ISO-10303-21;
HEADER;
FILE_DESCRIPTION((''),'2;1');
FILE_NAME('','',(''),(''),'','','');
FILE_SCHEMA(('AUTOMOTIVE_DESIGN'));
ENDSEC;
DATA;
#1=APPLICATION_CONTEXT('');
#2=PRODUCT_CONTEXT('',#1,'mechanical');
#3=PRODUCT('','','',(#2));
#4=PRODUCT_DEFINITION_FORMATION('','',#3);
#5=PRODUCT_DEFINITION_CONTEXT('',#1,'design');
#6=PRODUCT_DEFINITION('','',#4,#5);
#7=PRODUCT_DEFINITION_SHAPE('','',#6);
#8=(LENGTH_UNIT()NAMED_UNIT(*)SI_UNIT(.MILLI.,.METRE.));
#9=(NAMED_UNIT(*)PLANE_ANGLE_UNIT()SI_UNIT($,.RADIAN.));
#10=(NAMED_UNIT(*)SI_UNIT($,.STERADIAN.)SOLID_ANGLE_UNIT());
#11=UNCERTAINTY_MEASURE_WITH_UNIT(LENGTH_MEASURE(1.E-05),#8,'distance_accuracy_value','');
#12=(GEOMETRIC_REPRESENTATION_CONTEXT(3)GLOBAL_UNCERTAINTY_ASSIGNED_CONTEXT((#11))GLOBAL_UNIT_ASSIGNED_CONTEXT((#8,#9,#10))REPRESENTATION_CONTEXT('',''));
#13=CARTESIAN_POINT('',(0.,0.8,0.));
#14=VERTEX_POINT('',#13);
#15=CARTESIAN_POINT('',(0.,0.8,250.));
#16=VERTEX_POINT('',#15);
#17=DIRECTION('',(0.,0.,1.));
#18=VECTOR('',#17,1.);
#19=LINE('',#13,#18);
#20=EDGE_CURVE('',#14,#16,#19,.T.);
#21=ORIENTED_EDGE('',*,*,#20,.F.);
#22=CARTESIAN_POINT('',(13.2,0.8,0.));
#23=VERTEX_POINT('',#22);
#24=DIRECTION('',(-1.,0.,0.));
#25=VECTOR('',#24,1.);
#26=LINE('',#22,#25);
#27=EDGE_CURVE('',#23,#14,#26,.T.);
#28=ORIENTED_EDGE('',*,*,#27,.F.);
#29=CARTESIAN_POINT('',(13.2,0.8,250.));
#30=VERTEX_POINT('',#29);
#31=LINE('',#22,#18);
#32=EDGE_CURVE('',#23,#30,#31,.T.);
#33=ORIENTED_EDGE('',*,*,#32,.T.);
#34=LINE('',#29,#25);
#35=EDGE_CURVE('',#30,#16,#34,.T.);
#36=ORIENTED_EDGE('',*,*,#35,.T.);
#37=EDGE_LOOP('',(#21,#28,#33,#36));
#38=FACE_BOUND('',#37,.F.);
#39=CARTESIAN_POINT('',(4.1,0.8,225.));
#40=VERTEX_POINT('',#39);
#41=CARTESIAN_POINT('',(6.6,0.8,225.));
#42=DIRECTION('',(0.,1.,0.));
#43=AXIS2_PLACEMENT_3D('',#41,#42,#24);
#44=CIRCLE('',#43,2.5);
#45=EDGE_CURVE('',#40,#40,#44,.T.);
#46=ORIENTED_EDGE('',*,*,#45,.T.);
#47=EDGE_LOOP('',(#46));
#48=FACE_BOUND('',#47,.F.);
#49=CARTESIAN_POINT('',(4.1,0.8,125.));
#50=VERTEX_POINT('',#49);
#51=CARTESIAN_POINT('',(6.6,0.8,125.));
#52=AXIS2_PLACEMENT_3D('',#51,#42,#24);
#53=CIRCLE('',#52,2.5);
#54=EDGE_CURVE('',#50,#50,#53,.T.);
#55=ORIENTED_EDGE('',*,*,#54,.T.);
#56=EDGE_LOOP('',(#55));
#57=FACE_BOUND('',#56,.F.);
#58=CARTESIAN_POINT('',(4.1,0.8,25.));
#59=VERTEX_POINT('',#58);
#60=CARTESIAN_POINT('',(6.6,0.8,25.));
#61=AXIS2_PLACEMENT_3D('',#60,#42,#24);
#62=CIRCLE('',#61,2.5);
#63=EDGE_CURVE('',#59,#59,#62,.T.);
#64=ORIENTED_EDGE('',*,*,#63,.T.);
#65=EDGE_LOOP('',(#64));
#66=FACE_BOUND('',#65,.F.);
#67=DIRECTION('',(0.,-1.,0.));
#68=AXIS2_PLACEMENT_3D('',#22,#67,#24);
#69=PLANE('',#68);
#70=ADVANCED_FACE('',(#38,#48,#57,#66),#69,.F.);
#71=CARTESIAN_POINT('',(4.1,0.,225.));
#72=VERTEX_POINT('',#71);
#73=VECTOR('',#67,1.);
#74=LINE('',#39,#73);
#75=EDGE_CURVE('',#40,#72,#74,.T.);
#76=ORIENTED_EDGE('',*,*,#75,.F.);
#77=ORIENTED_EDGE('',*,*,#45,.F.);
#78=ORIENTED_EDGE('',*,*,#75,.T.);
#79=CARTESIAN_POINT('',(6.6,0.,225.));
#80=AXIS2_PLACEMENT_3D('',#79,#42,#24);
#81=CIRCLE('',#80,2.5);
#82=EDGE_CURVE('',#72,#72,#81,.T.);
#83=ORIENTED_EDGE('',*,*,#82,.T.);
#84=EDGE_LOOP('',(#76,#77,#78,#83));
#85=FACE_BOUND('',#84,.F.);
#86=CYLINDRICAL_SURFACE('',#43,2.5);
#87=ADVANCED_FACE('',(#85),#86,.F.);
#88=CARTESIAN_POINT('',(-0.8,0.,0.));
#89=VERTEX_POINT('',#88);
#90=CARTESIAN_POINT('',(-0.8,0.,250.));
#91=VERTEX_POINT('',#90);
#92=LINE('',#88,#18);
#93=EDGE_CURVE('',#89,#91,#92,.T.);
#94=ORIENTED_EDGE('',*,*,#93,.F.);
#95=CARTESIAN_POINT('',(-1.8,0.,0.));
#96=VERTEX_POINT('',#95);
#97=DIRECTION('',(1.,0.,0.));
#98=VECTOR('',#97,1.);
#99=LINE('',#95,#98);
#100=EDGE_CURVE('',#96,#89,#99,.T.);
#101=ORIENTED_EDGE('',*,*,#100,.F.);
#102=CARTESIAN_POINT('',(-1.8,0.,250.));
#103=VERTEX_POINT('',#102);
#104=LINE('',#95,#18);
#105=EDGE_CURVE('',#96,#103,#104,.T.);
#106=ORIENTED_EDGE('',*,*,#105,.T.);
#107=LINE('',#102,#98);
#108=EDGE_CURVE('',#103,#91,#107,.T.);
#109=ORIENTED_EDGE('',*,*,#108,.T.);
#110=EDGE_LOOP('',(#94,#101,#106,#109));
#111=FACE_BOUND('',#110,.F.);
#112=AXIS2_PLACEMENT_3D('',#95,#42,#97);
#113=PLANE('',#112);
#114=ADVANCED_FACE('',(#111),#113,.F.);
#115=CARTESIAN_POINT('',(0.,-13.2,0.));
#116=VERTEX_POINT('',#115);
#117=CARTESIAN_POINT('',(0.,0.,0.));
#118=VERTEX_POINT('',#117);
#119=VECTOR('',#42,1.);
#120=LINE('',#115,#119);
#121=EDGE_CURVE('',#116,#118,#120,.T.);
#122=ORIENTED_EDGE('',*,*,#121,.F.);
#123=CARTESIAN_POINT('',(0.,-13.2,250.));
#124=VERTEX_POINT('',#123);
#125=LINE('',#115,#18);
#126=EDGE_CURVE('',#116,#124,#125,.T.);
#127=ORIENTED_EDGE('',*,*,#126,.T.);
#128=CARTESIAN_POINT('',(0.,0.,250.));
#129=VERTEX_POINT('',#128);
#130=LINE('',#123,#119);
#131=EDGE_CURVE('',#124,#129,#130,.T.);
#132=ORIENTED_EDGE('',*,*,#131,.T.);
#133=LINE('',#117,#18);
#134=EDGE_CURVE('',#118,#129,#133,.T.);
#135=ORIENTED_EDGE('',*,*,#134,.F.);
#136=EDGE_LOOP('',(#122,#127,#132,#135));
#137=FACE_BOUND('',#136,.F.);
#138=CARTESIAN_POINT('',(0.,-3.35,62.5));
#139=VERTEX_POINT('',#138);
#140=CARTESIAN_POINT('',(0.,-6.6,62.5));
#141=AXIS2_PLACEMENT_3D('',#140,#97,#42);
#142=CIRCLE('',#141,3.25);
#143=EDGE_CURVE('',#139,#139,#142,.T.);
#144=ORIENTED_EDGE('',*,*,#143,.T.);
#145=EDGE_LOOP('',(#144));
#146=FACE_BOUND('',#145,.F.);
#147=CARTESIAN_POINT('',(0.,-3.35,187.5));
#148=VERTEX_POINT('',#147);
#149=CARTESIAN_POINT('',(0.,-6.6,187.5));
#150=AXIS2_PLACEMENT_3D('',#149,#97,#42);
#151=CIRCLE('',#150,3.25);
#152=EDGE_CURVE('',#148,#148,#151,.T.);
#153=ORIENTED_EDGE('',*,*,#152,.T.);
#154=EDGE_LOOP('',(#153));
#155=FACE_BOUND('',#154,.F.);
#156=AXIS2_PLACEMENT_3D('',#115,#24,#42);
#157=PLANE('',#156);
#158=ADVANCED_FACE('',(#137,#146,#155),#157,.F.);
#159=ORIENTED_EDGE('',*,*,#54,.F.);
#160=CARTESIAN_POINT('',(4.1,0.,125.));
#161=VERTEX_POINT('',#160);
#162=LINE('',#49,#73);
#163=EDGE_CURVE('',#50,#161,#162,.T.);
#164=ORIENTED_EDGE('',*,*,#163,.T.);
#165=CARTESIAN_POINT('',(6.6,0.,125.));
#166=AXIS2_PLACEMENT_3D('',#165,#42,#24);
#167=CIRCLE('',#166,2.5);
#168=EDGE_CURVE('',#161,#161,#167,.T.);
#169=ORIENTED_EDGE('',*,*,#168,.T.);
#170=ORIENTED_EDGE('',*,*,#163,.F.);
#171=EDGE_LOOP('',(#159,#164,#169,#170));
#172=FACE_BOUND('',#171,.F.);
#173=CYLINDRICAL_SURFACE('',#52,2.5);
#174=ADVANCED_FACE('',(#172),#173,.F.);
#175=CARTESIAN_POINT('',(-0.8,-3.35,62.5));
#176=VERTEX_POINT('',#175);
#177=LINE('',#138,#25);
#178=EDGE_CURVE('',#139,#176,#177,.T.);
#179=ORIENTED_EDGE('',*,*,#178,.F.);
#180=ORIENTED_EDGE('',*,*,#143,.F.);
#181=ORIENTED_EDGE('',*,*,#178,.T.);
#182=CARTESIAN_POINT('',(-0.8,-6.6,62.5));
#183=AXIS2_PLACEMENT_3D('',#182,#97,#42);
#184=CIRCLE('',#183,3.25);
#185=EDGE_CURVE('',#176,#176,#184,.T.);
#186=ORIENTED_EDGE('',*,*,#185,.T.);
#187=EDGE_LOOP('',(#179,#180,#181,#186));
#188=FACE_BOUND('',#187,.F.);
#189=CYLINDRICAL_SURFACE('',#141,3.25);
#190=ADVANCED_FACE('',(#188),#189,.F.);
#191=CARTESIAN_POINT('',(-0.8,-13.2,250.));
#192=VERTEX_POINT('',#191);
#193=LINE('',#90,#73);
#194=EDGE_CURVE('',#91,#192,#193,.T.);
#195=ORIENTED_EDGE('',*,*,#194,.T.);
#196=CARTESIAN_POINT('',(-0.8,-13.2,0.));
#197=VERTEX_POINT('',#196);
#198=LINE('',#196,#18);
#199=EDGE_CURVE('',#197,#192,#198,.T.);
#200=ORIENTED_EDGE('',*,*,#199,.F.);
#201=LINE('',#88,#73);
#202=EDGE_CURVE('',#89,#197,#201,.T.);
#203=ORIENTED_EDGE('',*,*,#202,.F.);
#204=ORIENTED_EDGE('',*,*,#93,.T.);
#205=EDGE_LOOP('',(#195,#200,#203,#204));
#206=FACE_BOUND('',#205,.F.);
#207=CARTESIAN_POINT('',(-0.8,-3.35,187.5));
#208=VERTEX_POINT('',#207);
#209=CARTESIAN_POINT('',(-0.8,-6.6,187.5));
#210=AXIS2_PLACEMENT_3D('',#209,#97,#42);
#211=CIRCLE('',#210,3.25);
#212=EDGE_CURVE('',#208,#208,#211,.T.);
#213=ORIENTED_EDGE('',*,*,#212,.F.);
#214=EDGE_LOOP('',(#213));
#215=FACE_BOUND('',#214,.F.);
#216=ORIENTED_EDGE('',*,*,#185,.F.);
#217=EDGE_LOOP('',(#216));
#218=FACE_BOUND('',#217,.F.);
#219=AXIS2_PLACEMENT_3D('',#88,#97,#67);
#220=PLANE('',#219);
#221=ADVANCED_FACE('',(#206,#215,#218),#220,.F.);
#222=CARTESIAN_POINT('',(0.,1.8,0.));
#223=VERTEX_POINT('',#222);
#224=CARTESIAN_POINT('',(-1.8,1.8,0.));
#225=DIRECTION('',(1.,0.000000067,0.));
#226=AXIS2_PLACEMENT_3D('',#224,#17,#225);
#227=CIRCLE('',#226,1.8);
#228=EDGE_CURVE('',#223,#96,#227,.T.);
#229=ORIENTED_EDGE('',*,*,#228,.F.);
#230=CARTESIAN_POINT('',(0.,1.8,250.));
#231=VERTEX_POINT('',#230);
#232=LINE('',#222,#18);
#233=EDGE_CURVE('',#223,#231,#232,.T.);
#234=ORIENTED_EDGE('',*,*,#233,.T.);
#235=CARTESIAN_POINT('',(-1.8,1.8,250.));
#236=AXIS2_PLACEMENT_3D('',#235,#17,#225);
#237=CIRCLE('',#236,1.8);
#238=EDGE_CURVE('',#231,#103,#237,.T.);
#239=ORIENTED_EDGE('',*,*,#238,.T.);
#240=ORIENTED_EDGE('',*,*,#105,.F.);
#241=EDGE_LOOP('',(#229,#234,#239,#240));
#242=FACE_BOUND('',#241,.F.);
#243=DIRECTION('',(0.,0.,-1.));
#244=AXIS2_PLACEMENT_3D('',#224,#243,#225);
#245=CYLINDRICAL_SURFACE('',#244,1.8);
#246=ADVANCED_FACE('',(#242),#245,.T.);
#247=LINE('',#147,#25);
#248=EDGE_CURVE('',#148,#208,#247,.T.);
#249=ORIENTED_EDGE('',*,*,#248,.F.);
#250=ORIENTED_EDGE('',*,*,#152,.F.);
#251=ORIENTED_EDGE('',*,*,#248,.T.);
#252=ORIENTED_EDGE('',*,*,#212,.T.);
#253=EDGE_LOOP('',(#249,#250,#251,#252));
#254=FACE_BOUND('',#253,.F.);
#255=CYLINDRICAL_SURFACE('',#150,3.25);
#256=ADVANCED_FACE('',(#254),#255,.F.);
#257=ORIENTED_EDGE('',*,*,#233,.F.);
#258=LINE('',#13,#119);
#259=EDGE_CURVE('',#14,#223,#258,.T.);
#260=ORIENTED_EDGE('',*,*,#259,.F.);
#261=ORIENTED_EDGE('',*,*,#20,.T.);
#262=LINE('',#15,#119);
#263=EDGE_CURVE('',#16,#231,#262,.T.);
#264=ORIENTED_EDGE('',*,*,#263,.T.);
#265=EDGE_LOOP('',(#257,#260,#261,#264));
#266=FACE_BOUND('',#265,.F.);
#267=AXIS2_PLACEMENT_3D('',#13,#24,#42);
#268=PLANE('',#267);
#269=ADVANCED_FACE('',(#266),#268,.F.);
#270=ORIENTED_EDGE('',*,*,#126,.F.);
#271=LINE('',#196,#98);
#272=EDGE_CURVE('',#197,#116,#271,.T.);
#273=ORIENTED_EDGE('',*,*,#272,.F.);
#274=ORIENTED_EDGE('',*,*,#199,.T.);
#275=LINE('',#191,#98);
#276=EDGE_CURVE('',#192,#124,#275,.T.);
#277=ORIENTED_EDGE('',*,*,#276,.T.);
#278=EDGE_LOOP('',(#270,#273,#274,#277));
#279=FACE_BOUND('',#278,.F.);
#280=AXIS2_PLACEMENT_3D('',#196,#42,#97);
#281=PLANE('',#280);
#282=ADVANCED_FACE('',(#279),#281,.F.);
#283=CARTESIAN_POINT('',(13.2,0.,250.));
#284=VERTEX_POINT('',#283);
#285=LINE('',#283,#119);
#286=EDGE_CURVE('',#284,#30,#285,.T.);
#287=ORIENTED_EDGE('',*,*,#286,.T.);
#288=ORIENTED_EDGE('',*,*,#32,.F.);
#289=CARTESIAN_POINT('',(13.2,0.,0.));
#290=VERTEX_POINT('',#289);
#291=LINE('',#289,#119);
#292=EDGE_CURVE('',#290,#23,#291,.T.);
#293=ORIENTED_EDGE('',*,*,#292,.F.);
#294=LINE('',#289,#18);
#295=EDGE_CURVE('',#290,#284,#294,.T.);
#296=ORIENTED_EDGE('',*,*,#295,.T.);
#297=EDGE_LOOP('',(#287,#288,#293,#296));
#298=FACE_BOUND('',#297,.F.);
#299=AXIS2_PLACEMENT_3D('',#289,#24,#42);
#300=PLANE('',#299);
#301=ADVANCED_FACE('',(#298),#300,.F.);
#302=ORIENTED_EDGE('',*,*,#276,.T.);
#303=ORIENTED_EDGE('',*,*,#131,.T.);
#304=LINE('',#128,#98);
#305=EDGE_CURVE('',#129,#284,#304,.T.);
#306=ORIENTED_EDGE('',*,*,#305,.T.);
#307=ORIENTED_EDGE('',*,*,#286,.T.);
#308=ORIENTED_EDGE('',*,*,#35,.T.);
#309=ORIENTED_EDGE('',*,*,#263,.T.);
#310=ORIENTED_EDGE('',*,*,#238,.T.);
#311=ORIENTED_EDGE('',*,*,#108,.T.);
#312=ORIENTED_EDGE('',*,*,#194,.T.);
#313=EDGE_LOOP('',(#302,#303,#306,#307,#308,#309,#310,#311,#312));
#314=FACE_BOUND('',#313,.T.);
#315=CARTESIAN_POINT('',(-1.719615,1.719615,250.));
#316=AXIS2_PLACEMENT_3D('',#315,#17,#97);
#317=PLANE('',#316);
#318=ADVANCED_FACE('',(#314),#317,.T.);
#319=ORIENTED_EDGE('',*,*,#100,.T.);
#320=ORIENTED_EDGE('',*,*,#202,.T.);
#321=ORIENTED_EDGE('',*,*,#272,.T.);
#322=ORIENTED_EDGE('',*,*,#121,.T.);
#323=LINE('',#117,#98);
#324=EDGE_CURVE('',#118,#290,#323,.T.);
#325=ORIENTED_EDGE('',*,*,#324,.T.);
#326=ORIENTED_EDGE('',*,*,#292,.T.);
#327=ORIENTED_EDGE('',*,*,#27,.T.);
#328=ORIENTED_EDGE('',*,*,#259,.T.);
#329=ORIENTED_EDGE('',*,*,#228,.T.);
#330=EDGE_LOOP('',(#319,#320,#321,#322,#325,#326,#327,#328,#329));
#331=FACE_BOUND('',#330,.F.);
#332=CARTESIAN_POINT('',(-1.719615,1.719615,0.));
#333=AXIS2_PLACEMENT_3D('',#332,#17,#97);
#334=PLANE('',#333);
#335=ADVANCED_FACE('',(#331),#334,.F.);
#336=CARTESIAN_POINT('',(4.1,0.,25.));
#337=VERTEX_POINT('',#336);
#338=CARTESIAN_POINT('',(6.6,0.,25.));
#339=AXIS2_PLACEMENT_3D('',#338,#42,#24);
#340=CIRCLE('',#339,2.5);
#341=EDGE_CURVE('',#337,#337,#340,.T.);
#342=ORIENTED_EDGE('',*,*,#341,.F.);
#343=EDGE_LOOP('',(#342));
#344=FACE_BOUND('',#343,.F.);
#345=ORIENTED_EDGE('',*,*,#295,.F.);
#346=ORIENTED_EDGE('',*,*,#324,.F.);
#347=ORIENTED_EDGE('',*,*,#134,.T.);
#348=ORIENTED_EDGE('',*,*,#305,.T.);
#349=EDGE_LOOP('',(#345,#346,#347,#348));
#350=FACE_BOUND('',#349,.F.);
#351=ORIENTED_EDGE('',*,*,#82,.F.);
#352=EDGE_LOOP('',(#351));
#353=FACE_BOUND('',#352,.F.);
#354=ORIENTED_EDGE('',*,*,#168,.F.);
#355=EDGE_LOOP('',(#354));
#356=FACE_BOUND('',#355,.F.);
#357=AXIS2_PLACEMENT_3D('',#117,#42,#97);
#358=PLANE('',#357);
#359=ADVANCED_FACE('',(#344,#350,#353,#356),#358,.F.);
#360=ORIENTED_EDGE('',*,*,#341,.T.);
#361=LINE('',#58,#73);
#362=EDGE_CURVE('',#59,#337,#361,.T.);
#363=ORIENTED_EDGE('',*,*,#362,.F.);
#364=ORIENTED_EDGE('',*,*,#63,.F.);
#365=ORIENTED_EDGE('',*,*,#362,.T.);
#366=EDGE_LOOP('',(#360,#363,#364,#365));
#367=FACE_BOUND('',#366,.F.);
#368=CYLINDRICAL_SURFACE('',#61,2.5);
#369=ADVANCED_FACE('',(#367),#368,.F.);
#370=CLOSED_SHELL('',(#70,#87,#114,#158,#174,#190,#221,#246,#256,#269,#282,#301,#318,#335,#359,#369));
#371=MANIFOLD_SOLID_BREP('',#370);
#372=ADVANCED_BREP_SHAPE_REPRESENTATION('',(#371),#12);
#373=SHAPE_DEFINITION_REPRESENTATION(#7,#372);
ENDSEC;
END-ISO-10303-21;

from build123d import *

# Parameters (mm, degrees)
F1_DEPTH = 250
F2_R     = 2.5
F3_DEPTH = 14.001
F4_R     = 3.25
F5_DEPTH = 3.601


with BuildPart() as f1:
    # F0 (on Top) → F1 (new body)
    with BuildSketch(Plane.XY):
        with BuildLine():
            ThreePointArc((0, 1.8), (-3.072792, 3.072792), (-1.8, 0))
            ThreePointArc((-1.8, 0), (-0.527208, 0.527208), (0, 1.8))
        make_face()
        with BuildLine():
            Line((0, -13.2), (0, 0))
            Line((0, 0), (13.2, 0))
            Line((13.2, 0), (13.2, 0.8))
            Line((13.2, 0.8), (0, 0.8))
            Line((0, 0.8), (0, 1.8))
            ThreePointArc((0, 1.8), (-0.527208, 0.527208), (-1.8, 0))
            Line((-1.8, 0), (-0.8, 0))
            Line((-0.8, 0), (-0.8, -13.2))
            Line((-0.8, -13.2), (0, -13.2))
        make_face()
    extrude(amount=F1_DEPTH)

    # F2 (on face) → F3 (cut, through all)
    with BuildSketch(Plane(origin=(0, 0.8, 0), x_dir=(-1, 0, 0), z_dir=(0, 1, 0))):
        with Locations((-6.6, 25)):
            Circle(F2_R)
        with Locations((-6.6, 125)):
            Circle(F2_R)
        with Locations((-6.6, 225)):
            Circle(F2_R)
    extrude(amount=-F3_DEPTH, mode=Mode.SUBTRACT)

    # F4 (on face) → F5 (cut, through all)
    with BuildSketch(Plane.YZ):
        with Locations((-6.6, 187.5)):
            Circle(F4_R)
        with Locations((-6.6, 62.5)):
            Circle(F4_R)
    extrude(amount=-F5_DEPTH, mode=Mode.SUBTRACT)


solid = f1.part
